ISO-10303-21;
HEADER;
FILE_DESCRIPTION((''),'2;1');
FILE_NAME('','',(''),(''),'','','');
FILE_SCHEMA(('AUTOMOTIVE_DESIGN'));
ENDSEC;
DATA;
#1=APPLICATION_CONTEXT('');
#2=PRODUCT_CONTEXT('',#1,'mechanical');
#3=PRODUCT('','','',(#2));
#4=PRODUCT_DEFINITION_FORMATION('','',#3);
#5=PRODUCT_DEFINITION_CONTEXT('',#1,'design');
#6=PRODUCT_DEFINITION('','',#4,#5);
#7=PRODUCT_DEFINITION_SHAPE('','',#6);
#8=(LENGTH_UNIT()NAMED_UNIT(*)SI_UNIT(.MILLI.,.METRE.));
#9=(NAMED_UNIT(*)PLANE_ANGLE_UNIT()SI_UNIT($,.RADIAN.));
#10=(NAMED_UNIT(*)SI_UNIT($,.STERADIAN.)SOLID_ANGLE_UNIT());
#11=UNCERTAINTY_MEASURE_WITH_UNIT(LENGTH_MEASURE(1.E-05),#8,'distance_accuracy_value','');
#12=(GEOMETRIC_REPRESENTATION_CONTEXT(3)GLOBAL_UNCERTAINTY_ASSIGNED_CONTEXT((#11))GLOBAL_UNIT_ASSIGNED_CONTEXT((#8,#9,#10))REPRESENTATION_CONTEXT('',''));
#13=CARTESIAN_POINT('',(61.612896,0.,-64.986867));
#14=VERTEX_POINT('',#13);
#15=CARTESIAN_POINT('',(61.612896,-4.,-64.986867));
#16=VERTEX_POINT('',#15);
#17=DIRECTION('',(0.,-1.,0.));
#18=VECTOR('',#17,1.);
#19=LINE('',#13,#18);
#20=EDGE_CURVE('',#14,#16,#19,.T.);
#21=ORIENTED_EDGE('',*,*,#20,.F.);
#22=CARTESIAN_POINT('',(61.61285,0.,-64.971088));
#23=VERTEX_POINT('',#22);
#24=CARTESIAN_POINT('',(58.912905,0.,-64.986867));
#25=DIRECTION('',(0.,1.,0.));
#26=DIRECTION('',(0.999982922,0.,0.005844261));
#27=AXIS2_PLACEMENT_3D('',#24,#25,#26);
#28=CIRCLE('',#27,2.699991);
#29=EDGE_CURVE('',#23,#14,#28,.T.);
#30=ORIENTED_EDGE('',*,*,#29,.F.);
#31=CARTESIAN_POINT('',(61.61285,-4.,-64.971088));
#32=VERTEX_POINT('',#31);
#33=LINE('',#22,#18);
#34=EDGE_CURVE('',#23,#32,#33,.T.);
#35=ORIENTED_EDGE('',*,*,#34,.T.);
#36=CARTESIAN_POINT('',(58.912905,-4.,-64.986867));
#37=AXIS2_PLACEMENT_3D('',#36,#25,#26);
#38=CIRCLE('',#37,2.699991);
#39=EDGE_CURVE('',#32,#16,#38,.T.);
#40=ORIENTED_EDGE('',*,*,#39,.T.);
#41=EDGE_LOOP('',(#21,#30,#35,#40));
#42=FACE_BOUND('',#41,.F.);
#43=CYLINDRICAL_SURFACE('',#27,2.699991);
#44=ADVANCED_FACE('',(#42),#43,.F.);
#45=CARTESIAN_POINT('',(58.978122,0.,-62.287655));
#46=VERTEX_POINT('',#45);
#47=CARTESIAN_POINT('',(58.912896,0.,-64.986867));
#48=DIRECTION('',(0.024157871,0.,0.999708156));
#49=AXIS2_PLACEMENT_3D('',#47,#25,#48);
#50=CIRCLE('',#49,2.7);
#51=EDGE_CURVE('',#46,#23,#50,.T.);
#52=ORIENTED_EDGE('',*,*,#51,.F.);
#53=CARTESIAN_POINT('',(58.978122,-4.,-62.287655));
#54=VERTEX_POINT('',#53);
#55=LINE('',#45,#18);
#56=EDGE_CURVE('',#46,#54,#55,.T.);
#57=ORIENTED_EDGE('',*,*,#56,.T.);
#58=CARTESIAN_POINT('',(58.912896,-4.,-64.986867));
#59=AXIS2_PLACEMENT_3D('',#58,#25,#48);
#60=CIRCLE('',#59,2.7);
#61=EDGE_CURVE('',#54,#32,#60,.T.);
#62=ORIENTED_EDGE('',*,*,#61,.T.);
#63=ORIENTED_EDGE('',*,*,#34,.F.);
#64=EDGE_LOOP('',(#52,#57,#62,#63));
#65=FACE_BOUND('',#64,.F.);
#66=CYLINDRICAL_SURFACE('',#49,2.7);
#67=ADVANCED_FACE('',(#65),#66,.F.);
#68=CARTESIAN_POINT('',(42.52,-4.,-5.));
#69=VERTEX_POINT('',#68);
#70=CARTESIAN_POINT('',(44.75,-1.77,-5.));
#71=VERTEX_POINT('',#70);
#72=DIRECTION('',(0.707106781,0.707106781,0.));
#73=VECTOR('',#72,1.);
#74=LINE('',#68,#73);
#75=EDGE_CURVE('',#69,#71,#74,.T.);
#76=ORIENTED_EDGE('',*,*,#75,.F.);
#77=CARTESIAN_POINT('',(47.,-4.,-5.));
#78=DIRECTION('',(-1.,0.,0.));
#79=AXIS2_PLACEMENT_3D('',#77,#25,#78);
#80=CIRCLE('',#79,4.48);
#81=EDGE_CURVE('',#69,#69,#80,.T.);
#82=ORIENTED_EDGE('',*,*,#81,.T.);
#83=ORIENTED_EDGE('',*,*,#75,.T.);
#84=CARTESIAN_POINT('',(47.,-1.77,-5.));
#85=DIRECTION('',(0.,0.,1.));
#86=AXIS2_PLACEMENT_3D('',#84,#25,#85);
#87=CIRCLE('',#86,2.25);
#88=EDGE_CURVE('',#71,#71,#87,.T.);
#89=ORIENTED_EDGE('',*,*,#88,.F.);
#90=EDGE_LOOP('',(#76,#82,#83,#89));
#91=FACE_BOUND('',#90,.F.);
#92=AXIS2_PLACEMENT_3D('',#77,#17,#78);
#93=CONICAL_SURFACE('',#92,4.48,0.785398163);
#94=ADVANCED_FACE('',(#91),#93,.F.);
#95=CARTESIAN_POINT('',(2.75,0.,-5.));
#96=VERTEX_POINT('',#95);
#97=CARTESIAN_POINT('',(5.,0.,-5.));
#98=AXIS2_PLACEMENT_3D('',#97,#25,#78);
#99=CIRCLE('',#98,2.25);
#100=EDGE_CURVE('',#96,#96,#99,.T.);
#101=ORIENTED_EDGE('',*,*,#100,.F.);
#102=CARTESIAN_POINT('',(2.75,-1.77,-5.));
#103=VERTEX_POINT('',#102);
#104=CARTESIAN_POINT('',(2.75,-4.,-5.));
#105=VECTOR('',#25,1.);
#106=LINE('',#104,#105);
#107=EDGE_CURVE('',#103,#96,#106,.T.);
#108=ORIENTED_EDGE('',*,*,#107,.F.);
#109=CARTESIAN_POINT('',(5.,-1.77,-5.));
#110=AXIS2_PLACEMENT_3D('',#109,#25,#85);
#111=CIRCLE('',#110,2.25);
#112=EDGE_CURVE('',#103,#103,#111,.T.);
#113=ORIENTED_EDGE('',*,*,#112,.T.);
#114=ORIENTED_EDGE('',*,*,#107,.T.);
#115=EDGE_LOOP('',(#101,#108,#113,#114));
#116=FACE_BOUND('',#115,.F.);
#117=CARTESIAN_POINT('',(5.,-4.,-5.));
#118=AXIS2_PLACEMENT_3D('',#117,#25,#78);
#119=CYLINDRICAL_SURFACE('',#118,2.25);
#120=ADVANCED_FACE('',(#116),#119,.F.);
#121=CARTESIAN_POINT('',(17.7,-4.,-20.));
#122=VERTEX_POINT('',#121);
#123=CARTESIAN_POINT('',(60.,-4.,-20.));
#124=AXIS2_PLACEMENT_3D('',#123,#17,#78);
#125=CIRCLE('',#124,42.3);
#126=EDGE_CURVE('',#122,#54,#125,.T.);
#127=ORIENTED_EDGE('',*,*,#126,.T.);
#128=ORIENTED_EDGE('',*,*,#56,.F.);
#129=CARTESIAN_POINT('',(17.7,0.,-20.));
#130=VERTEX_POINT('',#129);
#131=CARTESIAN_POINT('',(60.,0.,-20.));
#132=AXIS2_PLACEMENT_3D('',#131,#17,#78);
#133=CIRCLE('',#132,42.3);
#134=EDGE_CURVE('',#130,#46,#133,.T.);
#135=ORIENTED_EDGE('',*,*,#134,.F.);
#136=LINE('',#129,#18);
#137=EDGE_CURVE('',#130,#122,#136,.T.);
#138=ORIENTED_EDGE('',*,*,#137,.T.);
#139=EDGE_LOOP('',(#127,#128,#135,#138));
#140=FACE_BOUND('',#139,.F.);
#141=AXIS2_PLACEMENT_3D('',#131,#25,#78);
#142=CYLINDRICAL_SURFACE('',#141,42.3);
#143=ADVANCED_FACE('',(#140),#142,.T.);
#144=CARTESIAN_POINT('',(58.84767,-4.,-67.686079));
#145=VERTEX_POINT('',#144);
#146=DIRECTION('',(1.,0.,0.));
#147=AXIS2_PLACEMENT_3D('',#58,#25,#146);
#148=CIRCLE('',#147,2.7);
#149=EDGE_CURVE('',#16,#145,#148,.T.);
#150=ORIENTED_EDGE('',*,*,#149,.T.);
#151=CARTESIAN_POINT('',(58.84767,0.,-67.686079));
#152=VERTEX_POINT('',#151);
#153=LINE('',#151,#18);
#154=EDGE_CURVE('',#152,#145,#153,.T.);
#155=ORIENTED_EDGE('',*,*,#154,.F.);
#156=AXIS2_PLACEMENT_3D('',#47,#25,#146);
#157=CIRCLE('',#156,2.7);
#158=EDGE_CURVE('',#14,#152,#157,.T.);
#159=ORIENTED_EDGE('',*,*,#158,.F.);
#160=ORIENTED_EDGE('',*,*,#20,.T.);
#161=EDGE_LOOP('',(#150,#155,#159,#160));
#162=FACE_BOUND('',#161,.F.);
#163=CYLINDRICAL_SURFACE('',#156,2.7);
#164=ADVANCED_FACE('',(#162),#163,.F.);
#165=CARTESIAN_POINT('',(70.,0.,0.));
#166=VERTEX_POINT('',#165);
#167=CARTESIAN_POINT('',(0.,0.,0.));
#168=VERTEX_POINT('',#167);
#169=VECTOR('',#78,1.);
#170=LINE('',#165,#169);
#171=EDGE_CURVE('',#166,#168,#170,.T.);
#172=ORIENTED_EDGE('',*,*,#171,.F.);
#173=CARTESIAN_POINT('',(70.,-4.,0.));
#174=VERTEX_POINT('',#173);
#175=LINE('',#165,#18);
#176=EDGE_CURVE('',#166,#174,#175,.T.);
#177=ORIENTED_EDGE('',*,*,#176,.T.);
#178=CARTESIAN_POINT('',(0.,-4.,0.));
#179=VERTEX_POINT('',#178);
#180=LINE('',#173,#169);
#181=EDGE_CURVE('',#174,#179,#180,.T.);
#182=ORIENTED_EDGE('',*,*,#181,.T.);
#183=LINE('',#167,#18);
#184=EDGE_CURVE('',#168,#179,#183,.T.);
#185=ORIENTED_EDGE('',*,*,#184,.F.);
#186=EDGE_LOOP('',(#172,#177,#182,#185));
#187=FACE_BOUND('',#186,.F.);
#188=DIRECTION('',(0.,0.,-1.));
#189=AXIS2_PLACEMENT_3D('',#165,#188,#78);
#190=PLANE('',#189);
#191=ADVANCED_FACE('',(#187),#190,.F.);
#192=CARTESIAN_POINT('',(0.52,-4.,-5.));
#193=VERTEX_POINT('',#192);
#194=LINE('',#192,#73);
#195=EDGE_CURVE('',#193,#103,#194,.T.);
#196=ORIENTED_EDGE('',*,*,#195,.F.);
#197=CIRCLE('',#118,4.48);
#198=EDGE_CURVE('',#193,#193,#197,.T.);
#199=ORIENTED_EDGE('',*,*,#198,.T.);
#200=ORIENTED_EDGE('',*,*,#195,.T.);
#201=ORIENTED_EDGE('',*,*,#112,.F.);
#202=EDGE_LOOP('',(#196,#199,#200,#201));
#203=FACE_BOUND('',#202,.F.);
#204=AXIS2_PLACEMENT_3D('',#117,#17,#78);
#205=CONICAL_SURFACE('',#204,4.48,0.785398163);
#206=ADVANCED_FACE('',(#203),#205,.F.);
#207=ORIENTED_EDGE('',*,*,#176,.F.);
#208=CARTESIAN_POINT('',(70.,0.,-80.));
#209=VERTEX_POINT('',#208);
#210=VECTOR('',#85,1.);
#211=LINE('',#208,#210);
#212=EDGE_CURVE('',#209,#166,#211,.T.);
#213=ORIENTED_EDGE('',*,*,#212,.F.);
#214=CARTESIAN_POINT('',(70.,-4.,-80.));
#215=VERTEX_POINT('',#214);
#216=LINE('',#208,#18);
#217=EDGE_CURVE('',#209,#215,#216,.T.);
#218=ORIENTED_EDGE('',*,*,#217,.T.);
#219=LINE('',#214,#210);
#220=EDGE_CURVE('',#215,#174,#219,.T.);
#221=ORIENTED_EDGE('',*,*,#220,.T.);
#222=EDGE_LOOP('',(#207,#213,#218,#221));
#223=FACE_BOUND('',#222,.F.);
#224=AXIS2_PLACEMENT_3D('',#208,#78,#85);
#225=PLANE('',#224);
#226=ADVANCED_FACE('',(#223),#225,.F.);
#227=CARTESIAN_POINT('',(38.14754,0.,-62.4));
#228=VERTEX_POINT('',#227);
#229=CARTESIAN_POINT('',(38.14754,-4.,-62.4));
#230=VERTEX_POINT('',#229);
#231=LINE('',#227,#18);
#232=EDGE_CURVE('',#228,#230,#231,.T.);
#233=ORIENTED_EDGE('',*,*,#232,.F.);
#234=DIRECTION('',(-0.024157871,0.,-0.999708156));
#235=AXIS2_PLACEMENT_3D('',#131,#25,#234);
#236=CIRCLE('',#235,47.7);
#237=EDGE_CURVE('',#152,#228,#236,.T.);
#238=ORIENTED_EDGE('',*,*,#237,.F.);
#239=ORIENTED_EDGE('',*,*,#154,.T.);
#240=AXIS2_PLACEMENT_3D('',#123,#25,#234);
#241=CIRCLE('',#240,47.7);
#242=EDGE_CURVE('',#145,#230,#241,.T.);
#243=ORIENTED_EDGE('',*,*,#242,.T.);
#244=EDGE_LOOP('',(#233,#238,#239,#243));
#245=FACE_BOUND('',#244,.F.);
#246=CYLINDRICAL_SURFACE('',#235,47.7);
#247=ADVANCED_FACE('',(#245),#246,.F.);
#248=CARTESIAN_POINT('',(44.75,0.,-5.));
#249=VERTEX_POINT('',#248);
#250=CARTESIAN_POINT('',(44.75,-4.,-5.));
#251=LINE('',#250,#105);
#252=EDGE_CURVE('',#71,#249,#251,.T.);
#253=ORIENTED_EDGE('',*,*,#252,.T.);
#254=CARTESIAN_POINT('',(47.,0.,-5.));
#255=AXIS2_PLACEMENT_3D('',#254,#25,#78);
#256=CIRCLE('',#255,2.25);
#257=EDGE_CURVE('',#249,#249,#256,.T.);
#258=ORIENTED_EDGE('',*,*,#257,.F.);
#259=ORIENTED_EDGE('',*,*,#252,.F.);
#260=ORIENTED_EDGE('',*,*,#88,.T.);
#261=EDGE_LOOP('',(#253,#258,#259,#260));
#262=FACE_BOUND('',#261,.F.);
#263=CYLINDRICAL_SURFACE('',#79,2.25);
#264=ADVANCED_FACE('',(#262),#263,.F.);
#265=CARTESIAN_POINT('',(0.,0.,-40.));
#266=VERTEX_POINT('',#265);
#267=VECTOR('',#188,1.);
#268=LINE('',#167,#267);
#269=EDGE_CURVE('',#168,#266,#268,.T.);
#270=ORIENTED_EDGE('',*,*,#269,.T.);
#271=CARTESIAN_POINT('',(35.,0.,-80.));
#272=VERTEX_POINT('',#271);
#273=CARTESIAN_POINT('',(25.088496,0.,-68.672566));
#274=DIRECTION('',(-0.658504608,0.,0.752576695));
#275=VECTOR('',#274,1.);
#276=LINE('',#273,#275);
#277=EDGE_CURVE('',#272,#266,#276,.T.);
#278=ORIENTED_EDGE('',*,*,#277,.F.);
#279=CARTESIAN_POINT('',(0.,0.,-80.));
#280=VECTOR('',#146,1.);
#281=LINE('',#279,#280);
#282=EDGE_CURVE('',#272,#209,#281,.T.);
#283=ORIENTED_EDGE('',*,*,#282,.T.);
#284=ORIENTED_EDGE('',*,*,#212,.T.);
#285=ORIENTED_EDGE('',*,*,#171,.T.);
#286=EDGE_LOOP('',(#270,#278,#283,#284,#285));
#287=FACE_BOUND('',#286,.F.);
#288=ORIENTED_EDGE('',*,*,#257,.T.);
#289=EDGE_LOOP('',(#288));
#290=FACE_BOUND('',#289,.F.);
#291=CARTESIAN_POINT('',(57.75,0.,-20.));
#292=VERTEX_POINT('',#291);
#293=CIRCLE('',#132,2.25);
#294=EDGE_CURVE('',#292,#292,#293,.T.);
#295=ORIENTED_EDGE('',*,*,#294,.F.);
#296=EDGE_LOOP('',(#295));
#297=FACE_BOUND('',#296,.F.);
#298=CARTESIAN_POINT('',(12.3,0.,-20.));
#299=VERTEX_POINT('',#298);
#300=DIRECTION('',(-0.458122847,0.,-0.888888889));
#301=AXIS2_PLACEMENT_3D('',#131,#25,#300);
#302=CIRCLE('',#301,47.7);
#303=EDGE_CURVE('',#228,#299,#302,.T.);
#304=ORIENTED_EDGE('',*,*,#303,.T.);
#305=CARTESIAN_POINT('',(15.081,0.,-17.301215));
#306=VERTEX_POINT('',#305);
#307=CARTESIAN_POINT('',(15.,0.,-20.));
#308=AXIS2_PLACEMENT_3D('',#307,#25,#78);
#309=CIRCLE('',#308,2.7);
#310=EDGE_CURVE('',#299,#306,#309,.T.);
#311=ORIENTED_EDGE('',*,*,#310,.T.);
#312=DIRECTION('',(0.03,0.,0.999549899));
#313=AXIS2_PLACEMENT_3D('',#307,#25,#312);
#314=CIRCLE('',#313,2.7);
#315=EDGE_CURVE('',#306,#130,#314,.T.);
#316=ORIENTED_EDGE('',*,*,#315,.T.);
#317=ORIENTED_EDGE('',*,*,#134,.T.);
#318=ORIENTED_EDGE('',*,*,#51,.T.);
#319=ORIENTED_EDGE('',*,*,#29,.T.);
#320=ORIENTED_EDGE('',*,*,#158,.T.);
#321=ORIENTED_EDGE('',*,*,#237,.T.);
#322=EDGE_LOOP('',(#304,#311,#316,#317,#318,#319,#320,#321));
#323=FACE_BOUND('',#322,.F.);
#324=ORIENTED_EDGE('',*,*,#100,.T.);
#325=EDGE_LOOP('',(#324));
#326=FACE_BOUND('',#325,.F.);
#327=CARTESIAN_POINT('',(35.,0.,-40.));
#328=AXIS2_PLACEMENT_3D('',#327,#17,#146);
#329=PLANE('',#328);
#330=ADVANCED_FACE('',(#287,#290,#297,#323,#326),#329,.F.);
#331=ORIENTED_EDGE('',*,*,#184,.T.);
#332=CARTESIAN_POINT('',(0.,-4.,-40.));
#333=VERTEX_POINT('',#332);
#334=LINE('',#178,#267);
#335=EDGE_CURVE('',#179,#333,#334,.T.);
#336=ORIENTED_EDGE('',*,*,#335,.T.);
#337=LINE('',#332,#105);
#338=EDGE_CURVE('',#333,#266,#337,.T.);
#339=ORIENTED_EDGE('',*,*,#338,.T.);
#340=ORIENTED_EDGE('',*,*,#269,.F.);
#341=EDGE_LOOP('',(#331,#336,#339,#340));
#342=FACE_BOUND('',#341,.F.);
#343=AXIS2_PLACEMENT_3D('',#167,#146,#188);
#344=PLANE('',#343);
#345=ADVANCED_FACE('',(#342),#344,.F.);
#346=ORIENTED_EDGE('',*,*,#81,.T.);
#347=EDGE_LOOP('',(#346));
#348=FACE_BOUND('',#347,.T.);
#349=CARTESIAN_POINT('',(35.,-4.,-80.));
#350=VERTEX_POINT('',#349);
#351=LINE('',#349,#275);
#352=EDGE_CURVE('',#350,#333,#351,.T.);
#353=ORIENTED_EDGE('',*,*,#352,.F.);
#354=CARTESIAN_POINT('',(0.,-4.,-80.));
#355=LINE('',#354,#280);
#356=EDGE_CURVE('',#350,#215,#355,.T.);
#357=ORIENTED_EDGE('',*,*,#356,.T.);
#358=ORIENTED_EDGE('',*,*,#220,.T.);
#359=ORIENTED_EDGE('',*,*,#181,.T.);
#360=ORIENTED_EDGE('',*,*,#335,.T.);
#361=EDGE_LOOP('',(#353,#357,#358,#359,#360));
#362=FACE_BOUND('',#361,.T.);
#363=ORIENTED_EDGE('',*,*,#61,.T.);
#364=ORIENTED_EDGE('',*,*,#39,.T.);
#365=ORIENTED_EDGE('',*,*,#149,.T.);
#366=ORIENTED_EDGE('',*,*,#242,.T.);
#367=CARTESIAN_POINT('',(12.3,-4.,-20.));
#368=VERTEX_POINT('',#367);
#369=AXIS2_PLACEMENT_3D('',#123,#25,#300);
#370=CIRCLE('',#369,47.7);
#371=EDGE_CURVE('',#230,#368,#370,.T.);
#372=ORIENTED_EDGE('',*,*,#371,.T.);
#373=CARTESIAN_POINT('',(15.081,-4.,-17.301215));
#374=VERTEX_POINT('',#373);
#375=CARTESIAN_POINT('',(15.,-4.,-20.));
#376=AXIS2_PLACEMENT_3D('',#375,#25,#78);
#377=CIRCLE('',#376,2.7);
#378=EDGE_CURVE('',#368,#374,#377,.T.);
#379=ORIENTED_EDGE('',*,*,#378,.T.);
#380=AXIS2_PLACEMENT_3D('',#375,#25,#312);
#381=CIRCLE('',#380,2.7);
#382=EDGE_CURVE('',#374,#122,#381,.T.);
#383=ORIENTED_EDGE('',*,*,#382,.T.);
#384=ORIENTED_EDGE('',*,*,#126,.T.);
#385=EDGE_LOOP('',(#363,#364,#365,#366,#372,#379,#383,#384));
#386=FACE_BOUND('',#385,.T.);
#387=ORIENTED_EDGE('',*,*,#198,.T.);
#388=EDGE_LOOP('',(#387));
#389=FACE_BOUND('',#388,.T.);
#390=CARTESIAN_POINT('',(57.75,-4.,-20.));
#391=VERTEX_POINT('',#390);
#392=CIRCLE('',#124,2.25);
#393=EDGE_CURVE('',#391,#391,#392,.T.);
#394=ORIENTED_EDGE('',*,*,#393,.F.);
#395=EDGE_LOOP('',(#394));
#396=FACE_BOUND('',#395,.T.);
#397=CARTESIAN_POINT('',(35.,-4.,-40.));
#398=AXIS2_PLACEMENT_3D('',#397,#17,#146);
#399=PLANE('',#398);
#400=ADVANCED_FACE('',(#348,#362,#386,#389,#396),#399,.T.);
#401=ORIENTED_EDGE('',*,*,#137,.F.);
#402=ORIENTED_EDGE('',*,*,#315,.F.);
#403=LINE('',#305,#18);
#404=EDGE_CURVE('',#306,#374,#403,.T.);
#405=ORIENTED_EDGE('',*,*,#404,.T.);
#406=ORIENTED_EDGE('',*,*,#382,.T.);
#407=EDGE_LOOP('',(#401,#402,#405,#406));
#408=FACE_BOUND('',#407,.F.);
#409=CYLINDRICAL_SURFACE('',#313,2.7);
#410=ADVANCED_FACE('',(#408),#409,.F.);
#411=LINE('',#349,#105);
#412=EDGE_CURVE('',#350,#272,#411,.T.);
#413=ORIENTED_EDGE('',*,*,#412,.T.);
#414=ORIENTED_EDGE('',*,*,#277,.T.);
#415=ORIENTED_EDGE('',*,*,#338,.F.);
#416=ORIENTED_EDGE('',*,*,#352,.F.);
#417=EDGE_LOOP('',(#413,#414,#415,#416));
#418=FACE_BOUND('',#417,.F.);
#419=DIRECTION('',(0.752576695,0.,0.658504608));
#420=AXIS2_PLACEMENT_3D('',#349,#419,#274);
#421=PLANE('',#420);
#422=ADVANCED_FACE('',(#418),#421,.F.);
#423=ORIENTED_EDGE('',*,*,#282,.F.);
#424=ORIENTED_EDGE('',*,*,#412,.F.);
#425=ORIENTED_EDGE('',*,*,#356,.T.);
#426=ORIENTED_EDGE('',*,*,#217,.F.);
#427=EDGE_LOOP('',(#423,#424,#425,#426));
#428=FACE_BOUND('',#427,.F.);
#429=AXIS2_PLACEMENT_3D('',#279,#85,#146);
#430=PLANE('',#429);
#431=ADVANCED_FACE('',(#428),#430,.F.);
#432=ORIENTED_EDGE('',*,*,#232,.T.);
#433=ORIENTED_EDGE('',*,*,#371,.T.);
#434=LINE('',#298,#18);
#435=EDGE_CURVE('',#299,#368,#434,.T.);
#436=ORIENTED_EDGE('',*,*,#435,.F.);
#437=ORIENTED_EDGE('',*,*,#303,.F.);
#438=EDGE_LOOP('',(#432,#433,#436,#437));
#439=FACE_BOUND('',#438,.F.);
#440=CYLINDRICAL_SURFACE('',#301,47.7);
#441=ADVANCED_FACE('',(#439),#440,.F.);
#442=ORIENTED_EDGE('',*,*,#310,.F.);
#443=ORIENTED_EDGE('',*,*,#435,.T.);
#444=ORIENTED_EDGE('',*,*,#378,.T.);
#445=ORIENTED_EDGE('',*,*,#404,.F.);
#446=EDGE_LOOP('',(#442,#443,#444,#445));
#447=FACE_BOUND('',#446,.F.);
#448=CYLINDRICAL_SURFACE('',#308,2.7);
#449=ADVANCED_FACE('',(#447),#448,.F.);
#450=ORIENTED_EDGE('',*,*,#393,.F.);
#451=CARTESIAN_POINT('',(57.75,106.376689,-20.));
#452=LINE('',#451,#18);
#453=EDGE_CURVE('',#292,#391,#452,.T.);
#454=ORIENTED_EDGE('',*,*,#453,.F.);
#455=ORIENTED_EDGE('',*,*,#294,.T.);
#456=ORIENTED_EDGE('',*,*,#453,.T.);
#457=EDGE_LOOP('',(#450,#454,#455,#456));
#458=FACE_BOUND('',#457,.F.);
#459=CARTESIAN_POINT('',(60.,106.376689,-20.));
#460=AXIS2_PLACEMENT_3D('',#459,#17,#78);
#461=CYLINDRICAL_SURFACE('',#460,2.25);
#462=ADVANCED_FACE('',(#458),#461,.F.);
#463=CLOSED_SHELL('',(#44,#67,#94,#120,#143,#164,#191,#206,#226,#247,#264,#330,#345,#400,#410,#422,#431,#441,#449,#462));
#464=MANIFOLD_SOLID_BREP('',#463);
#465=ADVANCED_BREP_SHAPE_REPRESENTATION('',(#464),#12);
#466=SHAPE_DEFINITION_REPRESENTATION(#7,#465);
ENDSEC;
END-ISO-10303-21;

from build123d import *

# Parameters (mm, degrees)
F1_DEPTH       = 4
F2_D           = 4.5
F4_D           = 4.5
F4_CSINK_D     = 8.96
F4_CSINK_ANGLE = 90
F6_DEPTH       = 25


with BuildPart() as f1:
    # F0 (on Front) → F1 (new body)
    with BuildSketch(Plane.XZ):
        Polygon((16.6953813087, 0), (0, 0), (0, -80), (70, -80), (70, 0), (19.6887112585, 0), align=None)
        with BuildLine():
            ThreePointArc((12.3, -20), (13.1196675826, -18.0623854873), (15.081, -17.3012152735))
            ThreePointArc((15.081, -17.3012152735), (16.9376145127, -18.1196675826), (17.7, -20))
            ThreePointArc((17.7, -20), (23.8821053394, -42.0178946606), (40.6214035596, -57.6))
            ThreePointArc((40.6214035596, -57.6), (49.5339421791, -60.9847731931), (58.9781220381, -62.2876550004))
            ThreePointArc((58.9781220381, -62.2876550004), (60.8394880813, -63.0952428188), (61.6128496753, -64.9710875555))
            ThreePointArc((61.6128496753, -64.9710875555), (61.6128842578, -64.9789772549), (61.6128957853, -64.9868670217))
            ThreePointArc((61.6128957853, -64.9868670217), (60.7988821475, -66.9189786751), (58.8476695324, -67.686079043))
            ThreePointArc((58.8476695324, -67.686079043), (48.1978496914, -66.2168718986), (38.1475401842, -62.4))
            ThreePointArc((38.1475401842, -62.4), (19.2713102763, -44.8286897237), (12.3, -20))
        make_face(mode=Mode.SUBTRACT)
    extrude(amount=F1_DEPTH)

    # F2 (through all)
    with Locations(Plane(origin=(0, 0, 0), x_dir=(1, 0, 0), z_dir=(0, 1, 0))):
        with Locations((60, 20)):
            Hole(F2_D / 2)

    # F4 (through all)
    with Locations(Plane.XZ.offset(4)):
        with Locations((5, -5), (47, -5)):
            CounterSinkHole(F4_D / 2, F4_CSINK_D / 2, counter_sink_angle=F4_CSINK_ANGLE)

    # F5 (on face) → F6 (cut)
    with BuildSketch(Plane.XZ.offset(4)):
        Polygon((35, -80), (0, -40), (0, -80), align=None)
    extrude(amount=-F6_DEPTH, mode=Mode.SUBTRACT)


solid = f1.part
